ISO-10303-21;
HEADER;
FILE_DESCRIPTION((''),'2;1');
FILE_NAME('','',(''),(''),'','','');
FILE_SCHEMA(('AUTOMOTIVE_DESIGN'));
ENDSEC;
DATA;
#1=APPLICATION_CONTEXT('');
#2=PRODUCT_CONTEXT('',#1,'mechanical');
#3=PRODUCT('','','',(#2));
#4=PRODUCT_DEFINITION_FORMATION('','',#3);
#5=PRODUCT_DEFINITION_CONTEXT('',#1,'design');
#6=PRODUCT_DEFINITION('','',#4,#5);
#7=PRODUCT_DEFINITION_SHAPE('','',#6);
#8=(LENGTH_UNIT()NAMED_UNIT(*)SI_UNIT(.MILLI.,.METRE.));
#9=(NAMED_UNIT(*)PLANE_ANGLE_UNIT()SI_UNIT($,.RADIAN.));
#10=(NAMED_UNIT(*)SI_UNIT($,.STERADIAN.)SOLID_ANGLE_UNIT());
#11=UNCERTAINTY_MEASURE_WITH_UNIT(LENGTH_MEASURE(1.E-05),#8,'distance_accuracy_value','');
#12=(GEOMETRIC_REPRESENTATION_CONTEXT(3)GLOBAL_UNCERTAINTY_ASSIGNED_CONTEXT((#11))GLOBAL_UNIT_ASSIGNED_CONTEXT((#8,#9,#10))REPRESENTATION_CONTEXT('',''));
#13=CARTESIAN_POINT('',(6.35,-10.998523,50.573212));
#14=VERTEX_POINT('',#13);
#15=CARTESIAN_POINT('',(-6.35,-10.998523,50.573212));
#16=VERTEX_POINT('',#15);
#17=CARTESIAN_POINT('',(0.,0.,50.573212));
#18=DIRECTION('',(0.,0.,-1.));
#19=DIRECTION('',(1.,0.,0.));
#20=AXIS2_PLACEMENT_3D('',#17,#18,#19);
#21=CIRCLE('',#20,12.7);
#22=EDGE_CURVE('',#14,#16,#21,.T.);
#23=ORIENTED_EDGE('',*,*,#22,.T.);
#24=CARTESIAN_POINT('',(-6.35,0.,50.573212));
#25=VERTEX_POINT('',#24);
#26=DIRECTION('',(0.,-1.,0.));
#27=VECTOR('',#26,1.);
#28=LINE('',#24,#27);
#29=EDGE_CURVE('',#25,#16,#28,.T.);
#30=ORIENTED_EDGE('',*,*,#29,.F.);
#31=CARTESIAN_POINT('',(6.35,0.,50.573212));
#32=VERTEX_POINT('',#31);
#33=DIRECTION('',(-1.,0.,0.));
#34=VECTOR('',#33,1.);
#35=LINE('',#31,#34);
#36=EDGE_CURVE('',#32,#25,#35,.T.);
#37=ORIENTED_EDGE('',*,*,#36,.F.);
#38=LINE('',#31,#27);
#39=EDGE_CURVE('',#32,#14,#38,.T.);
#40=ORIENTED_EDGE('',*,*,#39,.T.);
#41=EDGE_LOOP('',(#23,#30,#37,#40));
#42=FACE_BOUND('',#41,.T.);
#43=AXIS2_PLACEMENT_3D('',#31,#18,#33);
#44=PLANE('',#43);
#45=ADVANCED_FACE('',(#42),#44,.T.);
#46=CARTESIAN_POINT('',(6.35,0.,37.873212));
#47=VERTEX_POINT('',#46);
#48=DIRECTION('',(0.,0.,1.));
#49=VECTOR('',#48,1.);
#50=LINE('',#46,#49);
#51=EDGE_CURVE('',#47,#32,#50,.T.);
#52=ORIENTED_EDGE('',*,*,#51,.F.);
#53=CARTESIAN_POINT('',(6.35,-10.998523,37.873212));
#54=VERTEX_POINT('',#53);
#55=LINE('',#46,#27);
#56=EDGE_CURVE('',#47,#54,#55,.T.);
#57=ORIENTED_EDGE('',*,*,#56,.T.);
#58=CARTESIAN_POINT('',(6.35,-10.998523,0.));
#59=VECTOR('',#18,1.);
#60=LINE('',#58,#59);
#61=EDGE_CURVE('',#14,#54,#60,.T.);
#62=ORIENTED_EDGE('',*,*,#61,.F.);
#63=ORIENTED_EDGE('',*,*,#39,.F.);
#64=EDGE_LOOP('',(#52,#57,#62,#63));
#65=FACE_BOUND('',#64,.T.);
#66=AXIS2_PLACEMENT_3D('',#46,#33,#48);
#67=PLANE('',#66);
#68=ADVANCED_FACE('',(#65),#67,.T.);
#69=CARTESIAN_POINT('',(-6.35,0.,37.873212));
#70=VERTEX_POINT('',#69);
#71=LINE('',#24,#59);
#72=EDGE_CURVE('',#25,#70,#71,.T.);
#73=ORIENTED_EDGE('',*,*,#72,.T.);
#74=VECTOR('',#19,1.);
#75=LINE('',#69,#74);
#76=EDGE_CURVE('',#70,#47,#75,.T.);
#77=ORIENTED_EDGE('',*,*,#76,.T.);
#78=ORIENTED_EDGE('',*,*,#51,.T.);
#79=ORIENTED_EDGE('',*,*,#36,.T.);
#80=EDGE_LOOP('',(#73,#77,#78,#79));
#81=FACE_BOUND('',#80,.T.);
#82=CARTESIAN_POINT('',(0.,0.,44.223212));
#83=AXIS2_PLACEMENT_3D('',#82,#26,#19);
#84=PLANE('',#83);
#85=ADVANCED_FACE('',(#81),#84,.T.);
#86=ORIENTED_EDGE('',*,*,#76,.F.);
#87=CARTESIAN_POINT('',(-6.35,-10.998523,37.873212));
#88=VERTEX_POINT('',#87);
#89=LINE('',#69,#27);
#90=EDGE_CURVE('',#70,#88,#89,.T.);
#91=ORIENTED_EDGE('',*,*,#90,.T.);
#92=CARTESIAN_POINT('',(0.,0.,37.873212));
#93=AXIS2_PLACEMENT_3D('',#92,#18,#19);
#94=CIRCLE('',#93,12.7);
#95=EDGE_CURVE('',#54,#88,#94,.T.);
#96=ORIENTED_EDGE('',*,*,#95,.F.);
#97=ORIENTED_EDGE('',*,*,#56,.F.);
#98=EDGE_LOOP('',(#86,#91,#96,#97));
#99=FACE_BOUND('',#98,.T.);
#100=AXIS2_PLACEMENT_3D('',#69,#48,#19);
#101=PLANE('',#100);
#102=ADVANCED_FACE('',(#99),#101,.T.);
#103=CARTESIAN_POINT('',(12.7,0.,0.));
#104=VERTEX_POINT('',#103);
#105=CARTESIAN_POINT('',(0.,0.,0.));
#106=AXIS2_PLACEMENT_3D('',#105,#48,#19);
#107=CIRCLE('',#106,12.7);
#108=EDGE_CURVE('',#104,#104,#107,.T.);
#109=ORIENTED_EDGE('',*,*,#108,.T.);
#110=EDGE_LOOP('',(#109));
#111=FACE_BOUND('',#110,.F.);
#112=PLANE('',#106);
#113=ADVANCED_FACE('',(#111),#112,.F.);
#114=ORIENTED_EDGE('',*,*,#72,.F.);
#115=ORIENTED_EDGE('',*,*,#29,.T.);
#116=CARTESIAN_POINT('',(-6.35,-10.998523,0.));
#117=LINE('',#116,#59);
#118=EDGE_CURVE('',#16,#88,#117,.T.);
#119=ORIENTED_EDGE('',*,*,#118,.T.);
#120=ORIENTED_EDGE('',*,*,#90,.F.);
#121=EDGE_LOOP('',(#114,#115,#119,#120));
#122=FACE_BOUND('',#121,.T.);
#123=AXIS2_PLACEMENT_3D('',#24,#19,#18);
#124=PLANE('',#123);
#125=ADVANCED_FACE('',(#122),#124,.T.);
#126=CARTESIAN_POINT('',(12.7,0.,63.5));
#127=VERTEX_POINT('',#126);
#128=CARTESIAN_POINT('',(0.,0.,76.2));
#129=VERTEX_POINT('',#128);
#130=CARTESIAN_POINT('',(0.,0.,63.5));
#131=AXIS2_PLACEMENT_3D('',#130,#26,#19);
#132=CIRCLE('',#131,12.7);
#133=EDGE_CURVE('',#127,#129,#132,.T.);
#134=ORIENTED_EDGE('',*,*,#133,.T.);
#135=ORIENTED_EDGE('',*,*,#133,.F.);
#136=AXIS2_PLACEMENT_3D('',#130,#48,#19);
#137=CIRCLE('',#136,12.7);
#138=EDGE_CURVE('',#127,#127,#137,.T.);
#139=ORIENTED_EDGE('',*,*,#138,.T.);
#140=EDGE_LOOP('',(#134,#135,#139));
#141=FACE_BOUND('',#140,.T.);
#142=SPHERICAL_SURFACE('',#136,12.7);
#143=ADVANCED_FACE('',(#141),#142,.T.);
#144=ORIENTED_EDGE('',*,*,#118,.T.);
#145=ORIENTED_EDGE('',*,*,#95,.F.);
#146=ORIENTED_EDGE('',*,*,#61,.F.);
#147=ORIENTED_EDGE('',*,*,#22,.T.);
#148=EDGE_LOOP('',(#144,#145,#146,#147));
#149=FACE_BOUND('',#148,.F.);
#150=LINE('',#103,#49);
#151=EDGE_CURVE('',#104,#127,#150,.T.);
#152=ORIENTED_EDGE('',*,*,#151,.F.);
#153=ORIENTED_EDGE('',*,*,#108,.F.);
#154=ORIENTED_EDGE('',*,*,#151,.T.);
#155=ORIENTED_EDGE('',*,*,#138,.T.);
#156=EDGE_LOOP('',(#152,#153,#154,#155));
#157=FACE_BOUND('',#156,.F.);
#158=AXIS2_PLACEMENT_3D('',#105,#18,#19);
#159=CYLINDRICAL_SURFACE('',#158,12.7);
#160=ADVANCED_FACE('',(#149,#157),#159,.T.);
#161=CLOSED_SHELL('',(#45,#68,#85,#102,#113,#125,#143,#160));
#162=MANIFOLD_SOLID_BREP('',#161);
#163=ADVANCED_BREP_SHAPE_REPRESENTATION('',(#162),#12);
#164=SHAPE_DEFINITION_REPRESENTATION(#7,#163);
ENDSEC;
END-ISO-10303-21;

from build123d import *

# Parameters (mm, degrees)
F0_R     = 12.7
F1_DEPTH = 76.2
F2_R     = 12.7
F4_DEPTH = 50.8


with BuildPart() as f1:
    # F0 (on Top) → F1 (new body)
    with BuildSketch(Plane.XY):
        Circle(F0_R)
    extrude(amount=F1_DEPTH)

    # F2
    f2_edges = [f1.edges().sort_by_distance(p)[0] for p in [
        (-12.7, 0, 76.2),
    ]]
    fillet(f2_edges, radius=F2_R)

    # F3 (on Front) → F4 (cut)
    with BuildSketch(Plane.XZ):
        Polygon((-6.35, 37.873212), (0, 37.873212), (6.35, 37.873212), (6.35, 50.573212), (-6.35, 50.573212), align=None)
    extrude(amount=F4_DEPTH, mode=Mode.SUBTRACT)


solid = f1.part
